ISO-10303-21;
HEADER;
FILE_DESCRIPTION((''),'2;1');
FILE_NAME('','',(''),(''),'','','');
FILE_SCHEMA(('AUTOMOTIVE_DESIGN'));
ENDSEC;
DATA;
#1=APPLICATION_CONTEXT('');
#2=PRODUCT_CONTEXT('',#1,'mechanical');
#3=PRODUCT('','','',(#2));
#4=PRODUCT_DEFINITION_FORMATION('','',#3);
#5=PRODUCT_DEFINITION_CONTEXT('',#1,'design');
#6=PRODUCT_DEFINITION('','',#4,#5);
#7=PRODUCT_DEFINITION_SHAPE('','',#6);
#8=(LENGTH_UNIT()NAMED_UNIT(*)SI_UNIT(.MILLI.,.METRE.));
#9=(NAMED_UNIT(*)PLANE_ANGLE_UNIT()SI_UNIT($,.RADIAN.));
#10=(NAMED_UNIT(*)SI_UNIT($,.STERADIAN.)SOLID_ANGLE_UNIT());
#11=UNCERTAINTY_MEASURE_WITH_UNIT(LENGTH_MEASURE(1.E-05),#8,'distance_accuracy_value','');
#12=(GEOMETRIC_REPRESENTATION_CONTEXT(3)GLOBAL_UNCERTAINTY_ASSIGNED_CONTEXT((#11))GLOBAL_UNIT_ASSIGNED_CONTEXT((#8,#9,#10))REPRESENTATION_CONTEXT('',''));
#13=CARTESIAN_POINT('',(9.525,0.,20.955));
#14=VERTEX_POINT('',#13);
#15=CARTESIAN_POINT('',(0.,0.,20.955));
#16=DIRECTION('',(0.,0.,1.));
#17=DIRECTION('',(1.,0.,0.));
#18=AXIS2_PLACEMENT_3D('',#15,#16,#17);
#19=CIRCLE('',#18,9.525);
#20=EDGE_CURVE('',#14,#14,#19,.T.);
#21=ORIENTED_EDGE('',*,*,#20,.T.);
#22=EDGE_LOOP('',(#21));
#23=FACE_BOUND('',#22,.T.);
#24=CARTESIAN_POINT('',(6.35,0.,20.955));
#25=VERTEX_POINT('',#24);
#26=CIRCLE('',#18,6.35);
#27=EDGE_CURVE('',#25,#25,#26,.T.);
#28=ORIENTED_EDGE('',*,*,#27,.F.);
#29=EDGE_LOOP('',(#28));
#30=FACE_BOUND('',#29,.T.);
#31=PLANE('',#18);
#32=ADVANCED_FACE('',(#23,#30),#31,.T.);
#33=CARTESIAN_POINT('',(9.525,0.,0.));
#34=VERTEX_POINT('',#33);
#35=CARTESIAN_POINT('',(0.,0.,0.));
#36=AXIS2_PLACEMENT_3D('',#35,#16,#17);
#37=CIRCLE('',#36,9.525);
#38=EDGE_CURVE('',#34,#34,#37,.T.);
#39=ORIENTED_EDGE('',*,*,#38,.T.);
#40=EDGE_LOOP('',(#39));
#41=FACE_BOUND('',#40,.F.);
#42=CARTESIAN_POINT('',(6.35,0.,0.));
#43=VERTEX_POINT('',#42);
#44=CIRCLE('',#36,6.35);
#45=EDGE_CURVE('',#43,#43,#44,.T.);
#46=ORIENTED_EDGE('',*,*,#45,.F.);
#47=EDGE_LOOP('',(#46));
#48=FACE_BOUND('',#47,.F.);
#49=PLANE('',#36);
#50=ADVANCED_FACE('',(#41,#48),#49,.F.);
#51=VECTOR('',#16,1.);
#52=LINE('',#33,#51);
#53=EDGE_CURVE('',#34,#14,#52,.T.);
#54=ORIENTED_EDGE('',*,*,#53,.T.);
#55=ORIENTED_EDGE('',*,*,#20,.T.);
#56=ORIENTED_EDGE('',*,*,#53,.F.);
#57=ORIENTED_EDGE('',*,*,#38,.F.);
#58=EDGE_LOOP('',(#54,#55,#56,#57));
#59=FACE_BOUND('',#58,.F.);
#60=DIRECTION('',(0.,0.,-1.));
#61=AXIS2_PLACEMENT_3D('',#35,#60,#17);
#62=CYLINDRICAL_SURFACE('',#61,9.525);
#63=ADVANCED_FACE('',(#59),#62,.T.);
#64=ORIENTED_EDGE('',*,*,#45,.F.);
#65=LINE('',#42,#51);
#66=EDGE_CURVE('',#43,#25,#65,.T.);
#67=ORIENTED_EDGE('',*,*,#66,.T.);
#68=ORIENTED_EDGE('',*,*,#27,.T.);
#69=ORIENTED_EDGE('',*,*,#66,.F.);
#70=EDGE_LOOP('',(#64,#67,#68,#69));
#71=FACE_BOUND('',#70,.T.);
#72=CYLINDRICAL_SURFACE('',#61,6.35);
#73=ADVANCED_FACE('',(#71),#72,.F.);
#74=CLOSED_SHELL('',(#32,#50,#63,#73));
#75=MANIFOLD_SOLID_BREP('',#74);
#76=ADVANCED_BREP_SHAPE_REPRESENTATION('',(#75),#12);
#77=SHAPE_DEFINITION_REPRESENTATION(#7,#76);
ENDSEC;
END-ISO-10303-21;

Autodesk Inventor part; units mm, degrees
ref_plane "YZ Plane" through (0, 0, 0) normal (1, 0, 0) x (0, 1, 0)
ref_plane "XZ Plane" through (0, 0, 0) normal (0, 1, 0) x (-1, 0, 0)
ref_plane "XY Plane" through (0, 0, 0) normal (0, 0, 1) x (1, 0, 0)
sketch "Sketch1" plane through (0, 0, 0) normal (0, 0, 1) x (1, 0, 0)
  circle A0 centre (0, 0) radius 6.35
  circle A1 centre (0, 0) radius 9.525
  dimension "d0" = 12.7
  dimension "d1" = 19.05
extrude "Extrusion1" add sketch "Sketch1" along normal blind 20.955
properties part number "Conforce_Shaft_Spacer_Long"
